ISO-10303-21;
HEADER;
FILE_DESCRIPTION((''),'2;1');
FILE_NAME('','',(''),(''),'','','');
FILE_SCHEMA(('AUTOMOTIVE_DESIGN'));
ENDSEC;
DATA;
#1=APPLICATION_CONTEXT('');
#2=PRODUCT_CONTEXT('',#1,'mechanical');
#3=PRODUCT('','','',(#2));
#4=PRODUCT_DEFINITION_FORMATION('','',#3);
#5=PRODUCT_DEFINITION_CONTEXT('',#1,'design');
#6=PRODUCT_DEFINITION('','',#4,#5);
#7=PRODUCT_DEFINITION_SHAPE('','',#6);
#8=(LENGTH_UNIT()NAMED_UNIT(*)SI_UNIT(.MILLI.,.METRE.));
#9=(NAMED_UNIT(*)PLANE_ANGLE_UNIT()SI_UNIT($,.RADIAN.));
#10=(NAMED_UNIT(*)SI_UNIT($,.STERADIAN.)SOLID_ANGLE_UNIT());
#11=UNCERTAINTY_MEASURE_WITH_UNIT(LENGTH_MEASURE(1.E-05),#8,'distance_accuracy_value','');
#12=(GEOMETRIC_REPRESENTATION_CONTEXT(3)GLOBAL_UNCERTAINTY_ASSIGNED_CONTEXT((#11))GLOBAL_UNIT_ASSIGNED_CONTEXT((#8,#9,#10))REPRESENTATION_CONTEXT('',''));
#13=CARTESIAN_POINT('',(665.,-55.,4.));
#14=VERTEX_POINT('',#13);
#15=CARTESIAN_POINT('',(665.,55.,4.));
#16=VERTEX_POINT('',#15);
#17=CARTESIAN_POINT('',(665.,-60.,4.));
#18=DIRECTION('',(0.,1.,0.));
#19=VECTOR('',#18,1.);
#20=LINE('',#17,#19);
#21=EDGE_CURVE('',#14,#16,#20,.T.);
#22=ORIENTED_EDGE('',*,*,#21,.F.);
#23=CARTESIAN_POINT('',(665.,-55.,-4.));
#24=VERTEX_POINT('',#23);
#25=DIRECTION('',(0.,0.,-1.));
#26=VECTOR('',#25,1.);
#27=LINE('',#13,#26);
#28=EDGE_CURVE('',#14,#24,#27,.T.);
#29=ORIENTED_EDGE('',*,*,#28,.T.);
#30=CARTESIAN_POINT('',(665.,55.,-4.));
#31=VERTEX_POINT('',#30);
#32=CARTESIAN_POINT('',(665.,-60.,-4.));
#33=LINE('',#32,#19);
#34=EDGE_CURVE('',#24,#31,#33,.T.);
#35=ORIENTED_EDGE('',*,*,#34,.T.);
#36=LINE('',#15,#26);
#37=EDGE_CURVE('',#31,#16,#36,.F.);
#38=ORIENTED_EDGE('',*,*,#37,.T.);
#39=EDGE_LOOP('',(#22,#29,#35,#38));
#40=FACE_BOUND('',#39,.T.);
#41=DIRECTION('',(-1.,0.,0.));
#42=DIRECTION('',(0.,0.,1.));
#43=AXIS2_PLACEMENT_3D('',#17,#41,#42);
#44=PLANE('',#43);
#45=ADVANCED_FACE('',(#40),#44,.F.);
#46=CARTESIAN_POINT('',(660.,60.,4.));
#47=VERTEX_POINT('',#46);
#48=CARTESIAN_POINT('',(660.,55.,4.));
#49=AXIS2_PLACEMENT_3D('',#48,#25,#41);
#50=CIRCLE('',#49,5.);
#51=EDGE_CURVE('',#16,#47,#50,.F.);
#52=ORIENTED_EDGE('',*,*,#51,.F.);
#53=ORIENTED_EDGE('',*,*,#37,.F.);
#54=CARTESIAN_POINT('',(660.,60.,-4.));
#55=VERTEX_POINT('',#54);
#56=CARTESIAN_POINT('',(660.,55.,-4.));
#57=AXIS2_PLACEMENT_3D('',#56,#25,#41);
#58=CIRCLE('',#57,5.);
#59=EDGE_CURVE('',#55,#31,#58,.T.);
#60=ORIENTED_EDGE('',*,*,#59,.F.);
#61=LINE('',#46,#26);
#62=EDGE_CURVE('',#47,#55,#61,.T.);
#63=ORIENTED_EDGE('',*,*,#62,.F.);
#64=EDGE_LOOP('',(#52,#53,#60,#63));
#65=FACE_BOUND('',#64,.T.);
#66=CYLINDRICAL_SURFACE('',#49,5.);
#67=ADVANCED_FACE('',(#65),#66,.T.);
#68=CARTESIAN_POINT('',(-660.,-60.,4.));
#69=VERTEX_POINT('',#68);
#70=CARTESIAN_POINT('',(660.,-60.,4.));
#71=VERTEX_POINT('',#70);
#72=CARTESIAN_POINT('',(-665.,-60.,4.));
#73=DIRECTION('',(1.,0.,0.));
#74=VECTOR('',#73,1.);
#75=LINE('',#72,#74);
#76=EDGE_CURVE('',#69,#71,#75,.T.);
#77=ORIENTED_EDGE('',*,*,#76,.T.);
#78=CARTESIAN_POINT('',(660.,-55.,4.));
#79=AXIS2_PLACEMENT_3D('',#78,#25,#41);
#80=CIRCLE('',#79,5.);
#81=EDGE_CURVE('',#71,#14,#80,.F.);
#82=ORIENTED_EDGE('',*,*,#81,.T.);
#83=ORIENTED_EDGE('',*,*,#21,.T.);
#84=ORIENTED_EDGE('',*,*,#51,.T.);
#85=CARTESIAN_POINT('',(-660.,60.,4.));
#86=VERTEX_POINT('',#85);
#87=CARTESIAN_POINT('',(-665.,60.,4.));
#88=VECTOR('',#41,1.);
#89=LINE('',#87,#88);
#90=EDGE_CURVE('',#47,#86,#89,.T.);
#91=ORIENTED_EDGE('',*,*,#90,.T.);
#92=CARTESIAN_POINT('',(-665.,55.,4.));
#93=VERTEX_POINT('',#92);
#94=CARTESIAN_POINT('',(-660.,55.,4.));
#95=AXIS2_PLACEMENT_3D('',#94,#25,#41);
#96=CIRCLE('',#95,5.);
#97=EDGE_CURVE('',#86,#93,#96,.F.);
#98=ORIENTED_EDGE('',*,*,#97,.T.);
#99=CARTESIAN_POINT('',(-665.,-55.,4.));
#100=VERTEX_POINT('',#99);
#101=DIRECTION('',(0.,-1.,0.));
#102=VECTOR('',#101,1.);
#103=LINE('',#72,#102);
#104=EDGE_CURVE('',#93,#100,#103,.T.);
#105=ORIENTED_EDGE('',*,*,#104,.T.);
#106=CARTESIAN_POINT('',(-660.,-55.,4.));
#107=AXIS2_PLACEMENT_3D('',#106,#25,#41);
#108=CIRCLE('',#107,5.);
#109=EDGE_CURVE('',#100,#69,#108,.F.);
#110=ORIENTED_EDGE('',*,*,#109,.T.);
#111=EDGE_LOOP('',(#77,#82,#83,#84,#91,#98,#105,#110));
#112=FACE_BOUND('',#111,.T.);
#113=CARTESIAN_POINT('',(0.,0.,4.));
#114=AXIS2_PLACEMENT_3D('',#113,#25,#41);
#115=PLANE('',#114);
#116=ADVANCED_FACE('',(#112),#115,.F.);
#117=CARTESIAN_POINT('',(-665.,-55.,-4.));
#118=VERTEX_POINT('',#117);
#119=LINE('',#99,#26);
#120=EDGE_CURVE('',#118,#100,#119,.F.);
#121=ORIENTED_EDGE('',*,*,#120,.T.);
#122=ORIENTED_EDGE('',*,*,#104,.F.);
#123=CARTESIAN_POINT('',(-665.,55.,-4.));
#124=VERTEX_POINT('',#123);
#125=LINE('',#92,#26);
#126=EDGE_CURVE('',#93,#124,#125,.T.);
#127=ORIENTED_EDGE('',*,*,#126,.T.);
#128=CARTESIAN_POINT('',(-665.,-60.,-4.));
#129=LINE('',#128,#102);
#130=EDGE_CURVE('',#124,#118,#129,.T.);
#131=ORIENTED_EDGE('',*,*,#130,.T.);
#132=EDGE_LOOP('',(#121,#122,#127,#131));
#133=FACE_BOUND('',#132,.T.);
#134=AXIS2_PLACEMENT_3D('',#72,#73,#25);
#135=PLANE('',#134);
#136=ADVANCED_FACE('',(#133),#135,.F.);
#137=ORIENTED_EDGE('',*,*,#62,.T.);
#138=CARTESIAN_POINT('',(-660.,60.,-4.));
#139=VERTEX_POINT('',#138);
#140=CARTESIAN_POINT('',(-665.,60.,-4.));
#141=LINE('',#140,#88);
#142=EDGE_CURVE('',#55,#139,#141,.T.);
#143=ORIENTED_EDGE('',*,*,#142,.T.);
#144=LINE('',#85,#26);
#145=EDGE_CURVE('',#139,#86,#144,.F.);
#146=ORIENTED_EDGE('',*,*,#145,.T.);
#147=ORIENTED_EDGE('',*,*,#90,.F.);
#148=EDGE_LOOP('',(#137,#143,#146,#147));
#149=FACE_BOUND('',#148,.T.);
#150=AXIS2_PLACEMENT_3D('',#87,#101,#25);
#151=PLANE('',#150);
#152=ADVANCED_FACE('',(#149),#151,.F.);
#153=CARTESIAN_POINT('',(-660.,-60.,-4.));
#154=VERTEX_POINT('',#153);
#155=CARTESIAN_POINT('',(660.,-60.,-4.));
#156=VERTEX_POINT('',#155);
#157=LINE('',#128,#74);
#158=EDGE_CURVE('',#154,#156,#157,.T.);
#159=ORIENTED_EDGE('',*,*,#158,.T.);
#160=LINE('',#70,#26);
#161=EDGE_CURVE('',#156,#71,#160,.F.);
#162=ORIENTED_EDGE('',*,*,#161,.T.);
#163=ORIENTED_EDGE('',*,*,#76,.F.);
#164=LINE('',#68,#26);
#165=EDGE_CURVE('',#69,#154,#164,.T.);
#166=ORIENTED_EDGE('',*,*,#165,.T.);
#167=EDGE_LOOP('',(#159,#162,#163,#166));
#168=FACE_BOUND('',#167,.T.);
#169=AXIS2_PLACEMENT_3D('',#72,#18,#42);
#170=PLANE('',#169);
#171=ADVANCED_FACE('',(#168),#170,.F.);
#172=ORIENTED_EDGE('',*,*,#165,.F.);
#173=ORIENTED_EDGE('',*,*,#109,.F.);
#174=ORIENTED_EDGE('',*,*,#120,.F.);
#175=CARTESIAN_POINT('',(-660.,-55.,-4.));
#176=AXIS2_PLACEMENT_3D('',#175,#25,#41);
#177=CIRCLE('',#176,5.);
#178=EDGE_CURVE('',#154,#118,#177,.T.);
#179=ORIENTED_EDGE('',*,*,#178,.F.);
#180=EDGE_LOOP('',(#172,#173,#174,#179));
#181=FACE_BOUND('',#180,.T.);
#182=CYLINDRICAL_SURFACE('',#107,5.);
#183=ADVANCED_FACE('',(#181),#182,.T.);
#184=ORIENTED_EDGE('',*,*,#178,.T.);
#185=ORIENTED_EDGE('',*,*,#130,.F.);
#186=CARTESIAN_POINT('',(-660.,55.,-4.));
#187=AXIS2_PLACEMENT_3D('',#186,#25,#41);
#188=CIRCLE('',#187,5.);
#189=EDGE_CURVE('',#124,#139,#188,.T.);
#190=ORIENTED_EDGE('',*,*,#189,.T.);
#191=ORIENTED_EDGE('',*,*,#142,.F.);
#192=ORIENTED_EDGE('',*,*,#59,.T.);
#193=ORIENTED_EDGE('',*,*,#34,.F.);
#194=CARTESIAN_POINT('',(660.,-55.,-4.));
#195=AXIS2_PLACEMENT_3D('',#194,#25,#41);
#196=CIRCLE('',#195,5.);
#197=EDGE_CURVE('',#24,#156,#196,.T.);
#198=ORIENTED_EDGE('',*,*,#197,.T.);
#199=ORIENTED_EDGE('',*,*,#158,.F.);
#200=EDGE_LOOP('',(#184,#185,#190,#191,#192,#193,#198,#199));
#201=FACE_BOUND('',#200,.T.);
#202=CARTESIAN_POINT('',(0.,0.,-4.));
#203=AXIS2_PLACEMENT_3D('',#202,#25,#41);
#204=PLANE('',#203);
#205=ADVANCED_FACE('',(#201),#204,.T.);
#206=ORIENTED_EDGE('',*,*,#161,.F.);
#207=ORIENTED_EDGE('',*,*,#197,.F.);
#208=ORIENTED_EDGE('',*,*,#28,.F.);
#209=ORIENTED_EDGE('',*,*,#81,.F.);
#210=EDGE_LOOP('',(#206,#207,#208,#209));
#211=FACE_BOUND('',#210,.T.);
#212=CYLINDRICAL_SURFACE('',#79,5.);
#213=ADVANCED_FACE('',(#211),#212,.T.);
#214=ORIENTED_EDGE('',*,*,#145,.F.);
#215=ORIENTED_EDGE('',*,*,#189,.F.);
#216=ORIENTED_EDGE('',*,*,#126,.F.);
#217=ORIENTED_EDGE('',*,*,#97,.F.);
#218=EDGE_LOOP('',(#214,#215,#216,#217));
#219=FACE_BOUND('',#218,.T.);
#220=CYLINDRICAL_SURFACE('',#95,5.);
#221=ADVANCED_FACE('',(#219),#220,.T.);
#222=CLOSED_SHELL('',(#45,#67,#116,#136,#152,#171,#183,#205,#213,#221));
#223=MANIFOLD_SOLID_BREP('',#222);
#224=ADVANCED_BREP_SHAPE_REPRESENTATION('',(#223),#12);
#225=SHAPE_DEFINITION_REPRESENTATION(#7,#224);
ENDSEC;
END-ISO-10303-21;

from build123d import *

# Parameters (mm, degrees)
SKETCH1_W           = 1330
SKETCH1_H           = 120
BOSS_EXTRUDE1_DEPTH = 4
FILLET1_R           = 5


with BuildPart() as part:
    # Sketch1 → Boss-Extrude1 (new body, symmetric)
    with BuildSketch(Plane.XY):
        Rectangle(SKETCH1_W, SKETCH1_H)
    extrude(amount=BOSS_EXTRUDE1_DEPTH, both=True)

    # Fillet1
    fillet1_edges = [part.edges().sort_by_distance(p)[0] for p in [
        (665, -60, 0),
        (-665, -60, 0),
        (-665, 60, 0),
        (665, 60, 0),
    ]]
    fillet(fillet1_edges, radius=FILLET1_R)


solid = part.part
